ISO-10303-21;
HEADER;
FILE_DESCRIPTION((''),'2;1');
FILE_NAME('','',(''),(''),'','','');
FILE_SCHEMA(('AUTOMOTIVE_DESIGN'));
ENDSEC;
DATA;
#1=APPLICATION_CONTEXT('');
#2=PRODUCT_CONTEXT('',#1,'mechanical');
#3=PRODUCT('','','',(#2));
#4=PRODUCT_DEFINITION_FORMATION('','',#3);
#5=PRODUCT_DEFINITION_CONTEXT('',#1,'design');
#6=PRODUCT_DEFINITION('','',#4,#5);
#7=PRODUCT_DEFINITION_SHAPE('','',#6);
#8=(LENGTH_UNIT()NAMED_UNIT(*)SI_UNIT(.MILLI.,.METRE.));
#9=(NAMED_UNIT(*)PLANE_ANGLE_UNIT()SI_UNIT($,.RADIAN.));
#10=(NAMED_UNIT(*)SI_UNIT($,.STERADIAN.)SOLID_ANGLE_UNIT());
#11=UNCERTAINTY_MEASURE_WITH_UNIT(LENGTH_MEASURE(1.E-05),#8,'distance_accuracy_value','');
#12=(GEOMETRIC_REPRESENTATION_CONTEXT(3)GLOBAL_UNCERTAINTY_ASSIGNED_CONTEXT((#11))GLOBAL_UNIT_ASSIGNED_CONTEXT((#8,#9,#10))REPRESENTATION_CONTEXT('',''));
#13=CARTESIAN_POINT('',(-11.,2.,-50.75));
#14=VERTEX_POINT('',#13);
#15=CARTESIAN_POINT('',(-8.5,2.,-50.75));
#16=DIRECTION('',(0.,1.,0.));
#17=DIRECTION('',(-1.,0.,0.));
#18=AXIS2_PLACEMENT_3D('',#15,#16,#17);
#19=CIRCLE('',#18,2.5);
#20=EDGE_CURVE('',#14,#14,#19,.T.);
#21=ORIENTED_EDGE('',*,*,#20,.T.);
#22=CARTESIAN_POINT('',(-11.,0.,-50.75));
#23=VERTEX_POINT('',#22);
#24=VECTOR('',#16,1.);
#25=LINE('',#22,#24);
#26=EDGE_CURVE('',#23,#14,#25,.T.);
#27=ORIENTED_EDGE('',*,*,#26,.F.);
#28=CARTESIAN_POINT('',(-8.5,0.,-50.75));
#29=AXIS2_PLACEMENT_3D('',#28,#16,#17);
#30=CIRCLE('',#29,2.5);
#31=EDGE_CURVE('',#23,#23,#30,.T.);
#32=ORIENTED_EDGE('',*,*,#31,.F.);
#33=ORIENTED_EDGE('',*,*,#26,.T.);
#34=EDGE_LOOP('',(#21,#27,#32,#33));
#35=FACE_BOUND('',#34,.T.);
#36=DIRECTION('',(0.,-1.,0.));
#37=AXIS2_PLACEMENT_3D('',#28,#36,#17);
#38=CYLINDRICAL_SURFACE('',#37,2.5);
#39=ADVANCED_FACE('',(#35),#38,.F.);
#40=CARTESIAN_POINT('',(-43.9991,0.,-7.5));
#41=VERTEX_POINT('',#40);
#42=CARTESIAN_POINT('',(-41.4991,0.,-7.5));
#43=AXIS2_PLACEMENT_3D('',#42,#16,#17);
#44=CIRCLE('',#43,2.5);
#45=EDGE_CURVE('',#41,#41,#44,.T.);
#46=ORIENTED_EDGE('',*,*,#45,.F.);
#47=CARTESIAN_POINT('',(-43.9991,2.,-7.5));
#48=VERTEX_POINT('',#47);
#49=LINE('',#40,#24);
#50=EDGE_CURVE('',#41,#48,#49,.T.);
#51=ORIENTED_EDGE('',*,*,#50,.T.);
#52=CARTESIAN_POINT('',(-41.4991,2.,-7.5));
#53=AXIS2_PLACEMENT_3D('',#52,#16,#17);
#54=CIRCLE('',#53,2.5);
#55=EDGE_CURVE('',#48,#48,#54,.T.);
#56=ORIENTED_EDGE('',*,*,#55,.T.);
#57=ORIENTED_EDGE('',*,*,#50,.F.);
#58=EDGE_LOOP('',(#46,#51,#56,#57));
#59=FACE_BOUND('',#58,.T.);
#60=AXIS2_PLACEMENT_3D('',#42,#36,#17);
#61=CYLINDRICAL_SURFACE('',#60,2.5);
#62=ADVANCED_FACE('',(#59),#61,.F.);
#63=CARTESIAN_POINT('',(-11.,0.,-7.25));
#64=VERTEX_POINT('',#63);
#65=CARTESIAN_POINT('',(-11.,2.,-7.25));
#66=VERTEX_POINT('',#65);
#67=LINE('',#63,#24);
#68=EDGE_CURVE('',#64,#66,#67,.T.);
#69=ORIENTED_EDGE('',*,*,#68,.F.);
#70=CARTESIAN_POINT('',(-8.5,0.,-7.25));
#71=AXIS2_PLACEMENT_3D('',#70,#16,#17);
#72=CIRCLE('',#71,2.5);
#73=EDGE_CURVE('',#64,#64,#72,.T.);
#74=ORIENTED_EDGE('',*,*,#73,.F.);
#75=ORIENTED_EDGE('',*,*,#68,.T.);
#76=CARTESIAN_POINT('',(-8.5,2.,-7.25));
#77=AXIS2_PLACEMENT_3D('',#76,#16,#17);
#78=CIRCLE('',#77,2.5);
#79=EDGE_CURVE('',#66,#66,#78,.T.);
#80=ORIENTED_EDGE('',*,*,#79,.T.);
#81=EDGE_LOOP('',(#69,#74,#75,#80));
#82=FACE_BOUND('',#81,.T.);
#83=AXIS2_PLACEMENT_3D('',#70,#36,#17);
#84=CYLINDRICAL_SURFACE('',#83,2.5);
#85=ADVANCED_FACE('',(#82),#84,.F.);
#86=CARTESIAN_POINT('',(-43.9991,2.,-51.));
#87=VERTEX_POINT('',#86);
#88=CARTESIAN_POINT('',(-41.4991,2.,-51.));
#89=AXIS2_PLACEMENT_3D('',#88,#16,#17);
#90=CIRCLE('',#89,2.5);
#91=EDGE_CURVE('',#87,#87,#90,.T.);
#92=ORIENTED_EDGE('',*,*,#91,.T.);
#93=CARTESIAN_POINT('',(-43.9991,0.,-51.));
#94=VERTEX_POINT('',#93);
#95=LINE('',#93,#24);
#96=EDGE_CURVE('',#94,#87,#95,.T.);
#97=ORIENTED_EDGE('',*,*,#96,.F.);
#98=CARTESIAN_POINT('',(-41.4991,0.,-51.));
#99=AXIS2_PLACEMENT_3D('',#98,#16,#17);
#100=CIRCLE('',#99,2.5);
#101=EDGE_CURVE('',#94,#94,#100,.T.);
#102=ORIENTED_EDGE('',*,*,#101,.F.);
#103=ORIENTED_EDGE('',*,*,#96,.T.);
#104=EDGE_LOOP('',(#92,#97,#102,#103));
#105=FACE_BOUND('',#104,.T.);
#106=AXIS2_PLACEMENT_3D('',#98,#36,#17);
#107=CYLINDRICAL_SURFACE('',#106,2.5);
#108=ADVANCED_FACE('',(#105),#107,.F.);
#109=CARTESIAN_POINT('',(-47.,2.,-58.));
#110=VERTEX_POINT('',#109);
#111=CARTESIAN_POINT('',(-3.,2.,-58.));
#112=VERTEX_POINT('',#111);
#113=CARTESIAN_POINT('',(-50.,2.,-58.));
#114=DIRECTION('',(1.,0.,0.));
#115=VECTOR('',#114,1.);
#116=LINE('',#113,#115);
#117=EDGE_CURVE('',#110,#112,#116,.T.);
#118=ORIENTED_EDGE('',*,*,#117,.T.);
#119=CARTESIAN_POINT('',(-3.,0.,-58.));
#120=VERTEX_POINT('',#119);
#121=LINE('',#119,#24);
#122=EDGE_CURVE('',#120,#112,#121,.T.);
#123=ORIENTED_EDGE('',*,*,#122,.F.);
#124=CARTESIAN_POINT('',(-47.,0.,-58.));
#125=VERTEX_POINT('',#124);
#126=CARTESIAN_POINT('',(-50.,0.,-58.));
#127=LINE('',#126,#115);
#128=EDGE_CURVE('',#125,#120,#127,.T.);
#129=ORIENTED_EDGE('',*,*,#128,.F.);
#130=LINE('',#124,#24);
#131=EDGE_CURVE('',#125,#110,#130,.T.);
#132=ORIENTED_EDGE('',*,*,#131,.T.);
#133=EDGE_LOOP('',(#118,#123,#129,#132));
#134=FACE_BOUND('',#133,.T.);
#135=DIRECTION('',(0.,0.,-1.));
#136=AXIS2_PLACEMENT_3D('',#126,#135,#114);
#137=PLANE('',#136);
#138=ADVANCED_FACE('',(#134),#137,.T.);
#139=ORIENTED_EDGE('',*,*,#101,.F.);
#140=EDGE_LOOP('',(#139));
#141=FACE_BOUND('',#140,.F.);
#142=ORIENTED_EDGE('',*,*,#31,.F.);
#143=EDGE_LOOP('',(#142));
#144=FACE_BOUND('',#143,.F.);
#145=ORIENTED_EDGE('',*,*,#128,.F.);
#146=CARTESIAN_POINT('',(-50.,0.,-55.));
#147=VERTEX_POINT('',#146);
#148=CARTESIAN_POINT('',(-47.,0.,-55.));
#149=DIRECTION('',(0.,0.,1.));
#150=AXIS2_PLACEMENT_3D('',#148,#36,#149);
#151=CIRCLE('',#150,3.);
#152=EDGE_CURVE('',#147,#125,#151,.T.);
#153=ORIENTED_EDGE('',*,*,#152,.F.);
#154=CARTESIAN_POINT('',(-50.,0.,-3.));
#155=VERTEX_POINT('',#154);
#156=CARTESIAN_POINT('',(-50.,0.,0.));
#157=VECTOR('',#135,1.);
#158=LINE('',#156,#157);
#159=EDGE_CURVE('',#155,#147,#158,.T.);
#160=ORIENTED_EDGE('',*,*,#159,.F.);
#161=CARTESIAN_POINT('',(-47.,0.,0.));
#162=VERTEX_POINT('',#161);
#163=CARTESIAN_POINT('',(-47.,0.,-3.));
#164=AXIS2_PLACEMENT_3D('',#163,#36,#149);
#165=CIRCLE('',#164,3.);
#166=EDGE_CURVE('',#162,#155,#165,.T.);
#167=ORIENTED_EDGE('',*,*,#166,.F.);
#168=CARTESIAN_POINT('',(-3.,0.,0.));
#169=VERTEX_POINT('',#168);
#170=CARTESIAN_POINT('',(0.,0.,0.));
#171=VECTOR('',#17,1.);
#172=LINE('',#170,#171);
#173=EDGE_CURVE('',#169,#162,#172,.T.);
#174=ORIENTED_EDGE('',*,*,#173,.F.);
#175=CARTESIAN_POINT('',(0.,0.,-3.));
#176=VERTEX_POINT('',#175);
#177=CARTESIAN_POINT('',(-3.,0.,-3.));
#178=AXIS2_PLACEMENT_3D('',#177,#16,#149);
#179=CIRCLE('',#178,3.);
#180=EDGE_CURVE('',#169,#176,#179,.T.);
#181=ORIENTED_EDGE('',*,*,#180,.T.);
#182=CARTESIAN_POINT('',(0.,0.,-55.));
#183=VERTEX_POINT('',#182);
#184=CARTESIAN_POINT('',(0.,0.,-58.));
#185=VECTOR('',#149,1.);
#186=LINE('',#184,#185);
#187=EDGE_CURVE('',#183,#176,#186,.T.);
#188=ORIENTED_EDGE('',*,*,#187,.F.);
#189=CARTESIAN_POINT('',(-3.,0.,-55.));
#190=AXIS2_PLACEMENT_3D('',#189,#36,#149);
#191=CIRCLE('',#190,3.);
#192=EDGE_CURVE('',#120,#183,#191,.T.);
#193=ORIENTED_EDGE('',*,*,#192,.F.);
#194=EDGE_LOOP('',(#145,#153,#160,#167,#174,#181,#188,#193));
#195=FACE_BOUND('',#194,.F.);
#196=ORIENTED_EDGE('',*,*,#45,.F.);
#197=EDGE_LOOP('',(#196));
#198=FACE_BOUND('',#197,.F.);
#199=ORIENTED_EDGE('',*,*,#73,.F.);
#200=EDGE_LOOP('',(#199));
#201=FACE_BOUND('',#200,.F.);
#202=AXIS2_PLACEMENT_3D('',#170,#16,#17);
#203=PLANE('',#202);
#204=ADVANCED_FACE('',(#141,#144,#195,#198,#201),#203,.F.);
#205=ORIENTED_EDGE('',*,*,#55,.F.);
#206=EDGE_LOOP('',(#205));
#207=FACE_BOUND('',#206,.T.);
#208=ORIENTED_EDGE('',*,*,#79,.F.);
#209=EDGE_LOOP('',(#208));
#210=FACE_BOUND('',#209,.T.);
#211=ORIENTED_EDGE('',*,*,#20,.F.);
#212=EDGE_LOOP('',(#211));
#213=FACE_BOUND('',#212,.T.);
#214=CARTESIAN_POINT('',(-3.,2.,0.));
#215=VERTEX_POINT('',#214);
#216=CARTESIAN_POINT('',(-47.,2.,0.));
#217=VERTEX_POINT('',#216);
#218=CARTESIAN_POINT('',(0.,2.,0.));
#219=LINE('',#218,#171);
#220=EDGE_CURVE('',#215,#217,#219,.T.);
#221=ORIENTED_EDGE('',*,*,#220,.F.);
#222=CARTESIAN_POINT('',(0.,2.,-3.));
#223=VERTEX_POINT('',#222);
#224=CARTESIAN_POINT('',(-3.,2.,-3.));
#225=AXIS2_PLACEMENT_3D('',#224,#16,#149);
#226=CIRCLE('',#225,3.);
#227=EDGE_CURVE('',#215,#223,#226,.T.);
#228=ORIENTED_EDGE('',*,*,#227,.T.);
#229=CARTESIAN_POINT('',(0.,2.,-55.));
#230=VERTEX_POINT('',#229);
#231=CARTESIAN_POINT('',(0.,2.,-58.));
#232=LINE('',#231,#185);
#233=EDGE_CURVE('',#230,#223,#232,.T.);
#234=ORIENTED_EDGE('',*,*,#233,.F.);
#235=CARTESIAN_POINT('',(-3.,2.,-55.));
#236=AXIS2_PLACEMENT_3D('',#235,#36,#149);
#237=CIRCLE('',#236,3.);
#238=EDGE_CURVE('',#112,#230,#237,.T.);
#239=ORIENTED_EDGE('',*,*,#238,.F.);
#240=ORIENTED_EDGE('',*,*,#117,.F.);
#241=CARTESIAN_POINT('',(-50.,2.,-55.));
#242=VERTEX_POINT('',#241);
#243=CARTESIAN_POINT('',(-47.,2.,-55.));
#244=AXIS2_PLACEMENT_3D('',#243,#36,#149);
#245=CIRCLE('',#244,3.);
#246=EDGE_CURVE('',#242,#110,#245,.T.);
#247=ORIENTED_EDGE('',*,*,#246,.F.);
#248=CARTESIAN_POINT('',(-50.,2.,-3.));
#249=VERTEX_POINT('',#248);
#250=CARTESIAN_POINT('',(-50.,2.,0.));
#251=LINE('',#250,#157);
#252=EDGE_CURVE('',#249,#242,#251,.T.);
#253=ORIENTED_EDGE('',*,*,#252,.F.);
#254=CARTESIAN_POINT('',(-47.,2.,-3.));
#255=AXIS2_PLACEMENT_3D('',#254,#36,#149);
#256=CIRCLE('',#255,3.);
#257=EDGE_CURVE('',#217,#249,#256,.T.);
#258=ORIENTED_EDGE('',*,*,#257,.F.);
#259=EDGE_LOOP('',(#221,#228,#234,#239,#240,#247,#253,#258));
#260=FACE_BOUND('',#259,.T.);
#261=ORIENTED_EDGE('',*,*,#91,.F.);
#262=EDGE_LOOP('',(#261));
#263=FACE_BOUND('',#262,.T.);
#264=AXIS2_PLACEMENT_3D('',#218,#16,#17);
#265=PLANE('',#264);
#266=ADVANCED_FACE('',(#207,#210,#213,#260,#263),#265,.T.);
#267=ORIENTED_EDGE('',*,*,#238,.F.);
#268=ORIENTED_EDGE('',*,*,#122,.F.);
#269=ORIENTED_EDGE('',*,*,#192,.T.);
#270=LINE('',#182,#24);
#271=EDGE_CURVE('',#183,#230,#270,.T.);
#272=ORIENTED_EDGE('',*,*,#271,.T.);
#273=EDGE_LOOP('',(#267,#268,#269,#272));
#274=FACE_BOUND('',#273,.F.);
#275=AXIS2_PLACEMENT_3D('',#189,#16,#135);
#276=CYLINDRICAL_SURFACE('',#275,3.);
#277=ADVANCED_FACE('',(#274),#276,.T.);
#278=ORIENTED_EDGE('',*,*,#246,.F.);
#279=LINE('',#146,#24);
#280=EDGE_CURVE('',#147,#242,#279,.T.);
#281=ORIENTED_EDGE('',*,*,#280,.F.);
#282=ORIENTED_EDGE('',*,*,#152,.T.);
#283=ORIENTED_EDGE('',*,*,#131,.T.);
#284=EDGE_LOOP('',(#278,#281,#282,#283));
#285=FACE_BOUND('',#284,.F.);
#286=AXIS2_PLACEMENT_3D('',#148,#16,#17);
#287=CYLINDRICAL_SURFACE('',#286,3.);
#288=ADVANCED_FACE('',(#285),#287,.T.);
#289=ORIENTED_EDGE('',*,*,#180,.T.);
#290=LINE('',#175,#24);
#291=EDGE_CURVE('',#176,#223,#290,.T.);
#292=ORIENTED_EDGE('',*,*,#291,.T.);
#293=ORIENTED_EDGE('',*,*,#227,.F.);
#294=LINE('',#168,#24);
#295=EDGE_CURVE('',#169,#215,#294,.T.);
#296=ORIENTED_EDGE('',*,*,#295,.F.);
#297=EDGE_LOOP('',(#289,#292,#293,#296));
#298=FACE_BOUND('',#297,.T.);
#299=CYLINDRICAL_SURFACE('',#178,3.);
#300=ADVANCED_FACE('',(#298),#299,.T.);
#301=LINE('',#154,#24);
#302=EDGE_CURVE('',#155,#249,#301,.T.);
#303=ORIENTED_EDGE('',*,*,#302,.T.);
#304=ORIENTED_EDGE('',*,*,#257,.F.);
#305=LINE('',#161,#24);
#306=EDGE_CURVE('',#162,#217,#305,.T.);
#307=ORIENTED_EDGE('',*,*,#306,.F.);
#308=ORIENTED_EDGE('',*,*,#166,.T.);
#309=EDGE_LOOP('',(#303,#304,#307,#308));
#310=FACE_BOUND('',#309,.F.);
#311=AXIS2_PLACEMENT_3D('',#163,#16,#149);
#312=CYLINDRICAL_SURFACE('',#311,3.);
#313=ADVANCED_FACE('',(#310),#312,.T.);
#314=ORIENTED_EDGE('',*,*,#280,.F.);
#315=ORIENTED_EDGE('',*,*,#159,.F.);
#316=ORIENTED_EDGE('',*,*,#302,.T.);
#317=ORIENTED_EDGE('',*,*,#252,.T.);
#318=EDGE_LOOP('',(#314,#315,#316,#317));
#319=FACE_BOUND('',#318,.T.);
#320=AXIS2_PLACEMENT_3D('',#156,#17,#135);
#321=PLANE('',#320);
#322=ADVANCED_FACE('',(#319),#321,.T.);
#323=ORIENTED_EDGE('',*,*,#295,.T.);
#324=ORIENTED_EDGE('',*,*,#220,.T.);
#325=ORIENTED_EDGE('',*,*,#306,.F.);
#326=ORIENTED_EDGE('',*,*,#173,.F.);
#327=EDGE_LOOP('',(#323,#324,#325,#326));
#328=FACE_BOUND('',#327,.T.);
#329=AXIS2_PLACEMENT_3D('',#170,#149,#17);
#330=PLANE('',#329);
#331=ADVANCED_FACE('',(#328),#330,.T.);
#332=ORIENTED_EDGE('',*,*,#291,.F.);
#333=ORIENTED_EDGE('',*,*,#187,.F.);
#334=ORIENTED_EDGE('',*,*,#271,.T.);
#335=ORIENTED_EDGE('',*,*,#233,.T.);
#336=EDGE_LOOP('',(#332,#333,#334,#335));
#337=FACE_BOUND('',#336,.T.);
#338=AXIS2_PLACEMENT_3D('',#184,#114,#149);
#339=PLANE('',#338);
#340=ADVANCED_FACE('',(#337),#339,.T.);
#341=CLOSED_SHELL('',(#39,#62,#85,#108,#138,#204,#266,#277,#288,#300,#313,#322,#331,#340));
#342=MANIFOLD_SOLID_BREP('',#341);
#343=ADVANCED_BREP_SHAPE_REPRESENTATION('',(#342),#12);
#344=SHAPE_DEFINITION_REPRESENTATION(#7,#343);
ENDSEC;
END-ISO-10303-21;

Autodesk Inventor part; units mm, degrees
ref_plane "YZ Plane" through (0, 0, 0) normal (1, 0, 0) x (0, 1, 0)
ref_plane "XZ Plane" through (0, 0, 0) normal (0, 1, 0) x (-1, 0, 0)
ref_plane "XY Plane" through (0, 0, 0) normal (0, 0, 1) x (1, 0, 0)
sketch "Sketch1" plane through (0, 0, 0) normal (0, 1, 0) x (-1, 0, 0)
  line L0 (0, 0) -> (50, 0)
  line L1 (50, 0) -> (50, -58)
  line L2 (50, -58) -> (0, -58)
  line L3 (0, -58) -> (0, 0)
  circle A0 centre (41.4991, -7.5) radius 2.5
  circle A1 centre (41.4991, -51) radius 2.5
  circle A2 centre (8.5, -50.75) radius 2.5
  circle A3 centre (8.5, -7.25) radius 2.5
  dimension "d0" = 50
  dimension "d1" = 58
  dimension "d2" = 5
  dimension "d3" = 5
  dimension "d4" = 5
  dimension "d5" = 5
  dimension "d7" = 8.5
  dimension "d8" = 33
  dimension "d9" = 33
  dimension "d10" = 7.25
  dimension "d11" = 7
  dimension "d14" = 43.5
  dimension "d15" = 43.5
extrude "Extrusion1" add sketch "Sketch1" along normal blind 2
fillet "Fillet1" radius 3 4 edges at (-50, 1, -58) (0, 1, -58) (0, 1, 0) (-50, 1, 0)
properties part number "PCB_design"
